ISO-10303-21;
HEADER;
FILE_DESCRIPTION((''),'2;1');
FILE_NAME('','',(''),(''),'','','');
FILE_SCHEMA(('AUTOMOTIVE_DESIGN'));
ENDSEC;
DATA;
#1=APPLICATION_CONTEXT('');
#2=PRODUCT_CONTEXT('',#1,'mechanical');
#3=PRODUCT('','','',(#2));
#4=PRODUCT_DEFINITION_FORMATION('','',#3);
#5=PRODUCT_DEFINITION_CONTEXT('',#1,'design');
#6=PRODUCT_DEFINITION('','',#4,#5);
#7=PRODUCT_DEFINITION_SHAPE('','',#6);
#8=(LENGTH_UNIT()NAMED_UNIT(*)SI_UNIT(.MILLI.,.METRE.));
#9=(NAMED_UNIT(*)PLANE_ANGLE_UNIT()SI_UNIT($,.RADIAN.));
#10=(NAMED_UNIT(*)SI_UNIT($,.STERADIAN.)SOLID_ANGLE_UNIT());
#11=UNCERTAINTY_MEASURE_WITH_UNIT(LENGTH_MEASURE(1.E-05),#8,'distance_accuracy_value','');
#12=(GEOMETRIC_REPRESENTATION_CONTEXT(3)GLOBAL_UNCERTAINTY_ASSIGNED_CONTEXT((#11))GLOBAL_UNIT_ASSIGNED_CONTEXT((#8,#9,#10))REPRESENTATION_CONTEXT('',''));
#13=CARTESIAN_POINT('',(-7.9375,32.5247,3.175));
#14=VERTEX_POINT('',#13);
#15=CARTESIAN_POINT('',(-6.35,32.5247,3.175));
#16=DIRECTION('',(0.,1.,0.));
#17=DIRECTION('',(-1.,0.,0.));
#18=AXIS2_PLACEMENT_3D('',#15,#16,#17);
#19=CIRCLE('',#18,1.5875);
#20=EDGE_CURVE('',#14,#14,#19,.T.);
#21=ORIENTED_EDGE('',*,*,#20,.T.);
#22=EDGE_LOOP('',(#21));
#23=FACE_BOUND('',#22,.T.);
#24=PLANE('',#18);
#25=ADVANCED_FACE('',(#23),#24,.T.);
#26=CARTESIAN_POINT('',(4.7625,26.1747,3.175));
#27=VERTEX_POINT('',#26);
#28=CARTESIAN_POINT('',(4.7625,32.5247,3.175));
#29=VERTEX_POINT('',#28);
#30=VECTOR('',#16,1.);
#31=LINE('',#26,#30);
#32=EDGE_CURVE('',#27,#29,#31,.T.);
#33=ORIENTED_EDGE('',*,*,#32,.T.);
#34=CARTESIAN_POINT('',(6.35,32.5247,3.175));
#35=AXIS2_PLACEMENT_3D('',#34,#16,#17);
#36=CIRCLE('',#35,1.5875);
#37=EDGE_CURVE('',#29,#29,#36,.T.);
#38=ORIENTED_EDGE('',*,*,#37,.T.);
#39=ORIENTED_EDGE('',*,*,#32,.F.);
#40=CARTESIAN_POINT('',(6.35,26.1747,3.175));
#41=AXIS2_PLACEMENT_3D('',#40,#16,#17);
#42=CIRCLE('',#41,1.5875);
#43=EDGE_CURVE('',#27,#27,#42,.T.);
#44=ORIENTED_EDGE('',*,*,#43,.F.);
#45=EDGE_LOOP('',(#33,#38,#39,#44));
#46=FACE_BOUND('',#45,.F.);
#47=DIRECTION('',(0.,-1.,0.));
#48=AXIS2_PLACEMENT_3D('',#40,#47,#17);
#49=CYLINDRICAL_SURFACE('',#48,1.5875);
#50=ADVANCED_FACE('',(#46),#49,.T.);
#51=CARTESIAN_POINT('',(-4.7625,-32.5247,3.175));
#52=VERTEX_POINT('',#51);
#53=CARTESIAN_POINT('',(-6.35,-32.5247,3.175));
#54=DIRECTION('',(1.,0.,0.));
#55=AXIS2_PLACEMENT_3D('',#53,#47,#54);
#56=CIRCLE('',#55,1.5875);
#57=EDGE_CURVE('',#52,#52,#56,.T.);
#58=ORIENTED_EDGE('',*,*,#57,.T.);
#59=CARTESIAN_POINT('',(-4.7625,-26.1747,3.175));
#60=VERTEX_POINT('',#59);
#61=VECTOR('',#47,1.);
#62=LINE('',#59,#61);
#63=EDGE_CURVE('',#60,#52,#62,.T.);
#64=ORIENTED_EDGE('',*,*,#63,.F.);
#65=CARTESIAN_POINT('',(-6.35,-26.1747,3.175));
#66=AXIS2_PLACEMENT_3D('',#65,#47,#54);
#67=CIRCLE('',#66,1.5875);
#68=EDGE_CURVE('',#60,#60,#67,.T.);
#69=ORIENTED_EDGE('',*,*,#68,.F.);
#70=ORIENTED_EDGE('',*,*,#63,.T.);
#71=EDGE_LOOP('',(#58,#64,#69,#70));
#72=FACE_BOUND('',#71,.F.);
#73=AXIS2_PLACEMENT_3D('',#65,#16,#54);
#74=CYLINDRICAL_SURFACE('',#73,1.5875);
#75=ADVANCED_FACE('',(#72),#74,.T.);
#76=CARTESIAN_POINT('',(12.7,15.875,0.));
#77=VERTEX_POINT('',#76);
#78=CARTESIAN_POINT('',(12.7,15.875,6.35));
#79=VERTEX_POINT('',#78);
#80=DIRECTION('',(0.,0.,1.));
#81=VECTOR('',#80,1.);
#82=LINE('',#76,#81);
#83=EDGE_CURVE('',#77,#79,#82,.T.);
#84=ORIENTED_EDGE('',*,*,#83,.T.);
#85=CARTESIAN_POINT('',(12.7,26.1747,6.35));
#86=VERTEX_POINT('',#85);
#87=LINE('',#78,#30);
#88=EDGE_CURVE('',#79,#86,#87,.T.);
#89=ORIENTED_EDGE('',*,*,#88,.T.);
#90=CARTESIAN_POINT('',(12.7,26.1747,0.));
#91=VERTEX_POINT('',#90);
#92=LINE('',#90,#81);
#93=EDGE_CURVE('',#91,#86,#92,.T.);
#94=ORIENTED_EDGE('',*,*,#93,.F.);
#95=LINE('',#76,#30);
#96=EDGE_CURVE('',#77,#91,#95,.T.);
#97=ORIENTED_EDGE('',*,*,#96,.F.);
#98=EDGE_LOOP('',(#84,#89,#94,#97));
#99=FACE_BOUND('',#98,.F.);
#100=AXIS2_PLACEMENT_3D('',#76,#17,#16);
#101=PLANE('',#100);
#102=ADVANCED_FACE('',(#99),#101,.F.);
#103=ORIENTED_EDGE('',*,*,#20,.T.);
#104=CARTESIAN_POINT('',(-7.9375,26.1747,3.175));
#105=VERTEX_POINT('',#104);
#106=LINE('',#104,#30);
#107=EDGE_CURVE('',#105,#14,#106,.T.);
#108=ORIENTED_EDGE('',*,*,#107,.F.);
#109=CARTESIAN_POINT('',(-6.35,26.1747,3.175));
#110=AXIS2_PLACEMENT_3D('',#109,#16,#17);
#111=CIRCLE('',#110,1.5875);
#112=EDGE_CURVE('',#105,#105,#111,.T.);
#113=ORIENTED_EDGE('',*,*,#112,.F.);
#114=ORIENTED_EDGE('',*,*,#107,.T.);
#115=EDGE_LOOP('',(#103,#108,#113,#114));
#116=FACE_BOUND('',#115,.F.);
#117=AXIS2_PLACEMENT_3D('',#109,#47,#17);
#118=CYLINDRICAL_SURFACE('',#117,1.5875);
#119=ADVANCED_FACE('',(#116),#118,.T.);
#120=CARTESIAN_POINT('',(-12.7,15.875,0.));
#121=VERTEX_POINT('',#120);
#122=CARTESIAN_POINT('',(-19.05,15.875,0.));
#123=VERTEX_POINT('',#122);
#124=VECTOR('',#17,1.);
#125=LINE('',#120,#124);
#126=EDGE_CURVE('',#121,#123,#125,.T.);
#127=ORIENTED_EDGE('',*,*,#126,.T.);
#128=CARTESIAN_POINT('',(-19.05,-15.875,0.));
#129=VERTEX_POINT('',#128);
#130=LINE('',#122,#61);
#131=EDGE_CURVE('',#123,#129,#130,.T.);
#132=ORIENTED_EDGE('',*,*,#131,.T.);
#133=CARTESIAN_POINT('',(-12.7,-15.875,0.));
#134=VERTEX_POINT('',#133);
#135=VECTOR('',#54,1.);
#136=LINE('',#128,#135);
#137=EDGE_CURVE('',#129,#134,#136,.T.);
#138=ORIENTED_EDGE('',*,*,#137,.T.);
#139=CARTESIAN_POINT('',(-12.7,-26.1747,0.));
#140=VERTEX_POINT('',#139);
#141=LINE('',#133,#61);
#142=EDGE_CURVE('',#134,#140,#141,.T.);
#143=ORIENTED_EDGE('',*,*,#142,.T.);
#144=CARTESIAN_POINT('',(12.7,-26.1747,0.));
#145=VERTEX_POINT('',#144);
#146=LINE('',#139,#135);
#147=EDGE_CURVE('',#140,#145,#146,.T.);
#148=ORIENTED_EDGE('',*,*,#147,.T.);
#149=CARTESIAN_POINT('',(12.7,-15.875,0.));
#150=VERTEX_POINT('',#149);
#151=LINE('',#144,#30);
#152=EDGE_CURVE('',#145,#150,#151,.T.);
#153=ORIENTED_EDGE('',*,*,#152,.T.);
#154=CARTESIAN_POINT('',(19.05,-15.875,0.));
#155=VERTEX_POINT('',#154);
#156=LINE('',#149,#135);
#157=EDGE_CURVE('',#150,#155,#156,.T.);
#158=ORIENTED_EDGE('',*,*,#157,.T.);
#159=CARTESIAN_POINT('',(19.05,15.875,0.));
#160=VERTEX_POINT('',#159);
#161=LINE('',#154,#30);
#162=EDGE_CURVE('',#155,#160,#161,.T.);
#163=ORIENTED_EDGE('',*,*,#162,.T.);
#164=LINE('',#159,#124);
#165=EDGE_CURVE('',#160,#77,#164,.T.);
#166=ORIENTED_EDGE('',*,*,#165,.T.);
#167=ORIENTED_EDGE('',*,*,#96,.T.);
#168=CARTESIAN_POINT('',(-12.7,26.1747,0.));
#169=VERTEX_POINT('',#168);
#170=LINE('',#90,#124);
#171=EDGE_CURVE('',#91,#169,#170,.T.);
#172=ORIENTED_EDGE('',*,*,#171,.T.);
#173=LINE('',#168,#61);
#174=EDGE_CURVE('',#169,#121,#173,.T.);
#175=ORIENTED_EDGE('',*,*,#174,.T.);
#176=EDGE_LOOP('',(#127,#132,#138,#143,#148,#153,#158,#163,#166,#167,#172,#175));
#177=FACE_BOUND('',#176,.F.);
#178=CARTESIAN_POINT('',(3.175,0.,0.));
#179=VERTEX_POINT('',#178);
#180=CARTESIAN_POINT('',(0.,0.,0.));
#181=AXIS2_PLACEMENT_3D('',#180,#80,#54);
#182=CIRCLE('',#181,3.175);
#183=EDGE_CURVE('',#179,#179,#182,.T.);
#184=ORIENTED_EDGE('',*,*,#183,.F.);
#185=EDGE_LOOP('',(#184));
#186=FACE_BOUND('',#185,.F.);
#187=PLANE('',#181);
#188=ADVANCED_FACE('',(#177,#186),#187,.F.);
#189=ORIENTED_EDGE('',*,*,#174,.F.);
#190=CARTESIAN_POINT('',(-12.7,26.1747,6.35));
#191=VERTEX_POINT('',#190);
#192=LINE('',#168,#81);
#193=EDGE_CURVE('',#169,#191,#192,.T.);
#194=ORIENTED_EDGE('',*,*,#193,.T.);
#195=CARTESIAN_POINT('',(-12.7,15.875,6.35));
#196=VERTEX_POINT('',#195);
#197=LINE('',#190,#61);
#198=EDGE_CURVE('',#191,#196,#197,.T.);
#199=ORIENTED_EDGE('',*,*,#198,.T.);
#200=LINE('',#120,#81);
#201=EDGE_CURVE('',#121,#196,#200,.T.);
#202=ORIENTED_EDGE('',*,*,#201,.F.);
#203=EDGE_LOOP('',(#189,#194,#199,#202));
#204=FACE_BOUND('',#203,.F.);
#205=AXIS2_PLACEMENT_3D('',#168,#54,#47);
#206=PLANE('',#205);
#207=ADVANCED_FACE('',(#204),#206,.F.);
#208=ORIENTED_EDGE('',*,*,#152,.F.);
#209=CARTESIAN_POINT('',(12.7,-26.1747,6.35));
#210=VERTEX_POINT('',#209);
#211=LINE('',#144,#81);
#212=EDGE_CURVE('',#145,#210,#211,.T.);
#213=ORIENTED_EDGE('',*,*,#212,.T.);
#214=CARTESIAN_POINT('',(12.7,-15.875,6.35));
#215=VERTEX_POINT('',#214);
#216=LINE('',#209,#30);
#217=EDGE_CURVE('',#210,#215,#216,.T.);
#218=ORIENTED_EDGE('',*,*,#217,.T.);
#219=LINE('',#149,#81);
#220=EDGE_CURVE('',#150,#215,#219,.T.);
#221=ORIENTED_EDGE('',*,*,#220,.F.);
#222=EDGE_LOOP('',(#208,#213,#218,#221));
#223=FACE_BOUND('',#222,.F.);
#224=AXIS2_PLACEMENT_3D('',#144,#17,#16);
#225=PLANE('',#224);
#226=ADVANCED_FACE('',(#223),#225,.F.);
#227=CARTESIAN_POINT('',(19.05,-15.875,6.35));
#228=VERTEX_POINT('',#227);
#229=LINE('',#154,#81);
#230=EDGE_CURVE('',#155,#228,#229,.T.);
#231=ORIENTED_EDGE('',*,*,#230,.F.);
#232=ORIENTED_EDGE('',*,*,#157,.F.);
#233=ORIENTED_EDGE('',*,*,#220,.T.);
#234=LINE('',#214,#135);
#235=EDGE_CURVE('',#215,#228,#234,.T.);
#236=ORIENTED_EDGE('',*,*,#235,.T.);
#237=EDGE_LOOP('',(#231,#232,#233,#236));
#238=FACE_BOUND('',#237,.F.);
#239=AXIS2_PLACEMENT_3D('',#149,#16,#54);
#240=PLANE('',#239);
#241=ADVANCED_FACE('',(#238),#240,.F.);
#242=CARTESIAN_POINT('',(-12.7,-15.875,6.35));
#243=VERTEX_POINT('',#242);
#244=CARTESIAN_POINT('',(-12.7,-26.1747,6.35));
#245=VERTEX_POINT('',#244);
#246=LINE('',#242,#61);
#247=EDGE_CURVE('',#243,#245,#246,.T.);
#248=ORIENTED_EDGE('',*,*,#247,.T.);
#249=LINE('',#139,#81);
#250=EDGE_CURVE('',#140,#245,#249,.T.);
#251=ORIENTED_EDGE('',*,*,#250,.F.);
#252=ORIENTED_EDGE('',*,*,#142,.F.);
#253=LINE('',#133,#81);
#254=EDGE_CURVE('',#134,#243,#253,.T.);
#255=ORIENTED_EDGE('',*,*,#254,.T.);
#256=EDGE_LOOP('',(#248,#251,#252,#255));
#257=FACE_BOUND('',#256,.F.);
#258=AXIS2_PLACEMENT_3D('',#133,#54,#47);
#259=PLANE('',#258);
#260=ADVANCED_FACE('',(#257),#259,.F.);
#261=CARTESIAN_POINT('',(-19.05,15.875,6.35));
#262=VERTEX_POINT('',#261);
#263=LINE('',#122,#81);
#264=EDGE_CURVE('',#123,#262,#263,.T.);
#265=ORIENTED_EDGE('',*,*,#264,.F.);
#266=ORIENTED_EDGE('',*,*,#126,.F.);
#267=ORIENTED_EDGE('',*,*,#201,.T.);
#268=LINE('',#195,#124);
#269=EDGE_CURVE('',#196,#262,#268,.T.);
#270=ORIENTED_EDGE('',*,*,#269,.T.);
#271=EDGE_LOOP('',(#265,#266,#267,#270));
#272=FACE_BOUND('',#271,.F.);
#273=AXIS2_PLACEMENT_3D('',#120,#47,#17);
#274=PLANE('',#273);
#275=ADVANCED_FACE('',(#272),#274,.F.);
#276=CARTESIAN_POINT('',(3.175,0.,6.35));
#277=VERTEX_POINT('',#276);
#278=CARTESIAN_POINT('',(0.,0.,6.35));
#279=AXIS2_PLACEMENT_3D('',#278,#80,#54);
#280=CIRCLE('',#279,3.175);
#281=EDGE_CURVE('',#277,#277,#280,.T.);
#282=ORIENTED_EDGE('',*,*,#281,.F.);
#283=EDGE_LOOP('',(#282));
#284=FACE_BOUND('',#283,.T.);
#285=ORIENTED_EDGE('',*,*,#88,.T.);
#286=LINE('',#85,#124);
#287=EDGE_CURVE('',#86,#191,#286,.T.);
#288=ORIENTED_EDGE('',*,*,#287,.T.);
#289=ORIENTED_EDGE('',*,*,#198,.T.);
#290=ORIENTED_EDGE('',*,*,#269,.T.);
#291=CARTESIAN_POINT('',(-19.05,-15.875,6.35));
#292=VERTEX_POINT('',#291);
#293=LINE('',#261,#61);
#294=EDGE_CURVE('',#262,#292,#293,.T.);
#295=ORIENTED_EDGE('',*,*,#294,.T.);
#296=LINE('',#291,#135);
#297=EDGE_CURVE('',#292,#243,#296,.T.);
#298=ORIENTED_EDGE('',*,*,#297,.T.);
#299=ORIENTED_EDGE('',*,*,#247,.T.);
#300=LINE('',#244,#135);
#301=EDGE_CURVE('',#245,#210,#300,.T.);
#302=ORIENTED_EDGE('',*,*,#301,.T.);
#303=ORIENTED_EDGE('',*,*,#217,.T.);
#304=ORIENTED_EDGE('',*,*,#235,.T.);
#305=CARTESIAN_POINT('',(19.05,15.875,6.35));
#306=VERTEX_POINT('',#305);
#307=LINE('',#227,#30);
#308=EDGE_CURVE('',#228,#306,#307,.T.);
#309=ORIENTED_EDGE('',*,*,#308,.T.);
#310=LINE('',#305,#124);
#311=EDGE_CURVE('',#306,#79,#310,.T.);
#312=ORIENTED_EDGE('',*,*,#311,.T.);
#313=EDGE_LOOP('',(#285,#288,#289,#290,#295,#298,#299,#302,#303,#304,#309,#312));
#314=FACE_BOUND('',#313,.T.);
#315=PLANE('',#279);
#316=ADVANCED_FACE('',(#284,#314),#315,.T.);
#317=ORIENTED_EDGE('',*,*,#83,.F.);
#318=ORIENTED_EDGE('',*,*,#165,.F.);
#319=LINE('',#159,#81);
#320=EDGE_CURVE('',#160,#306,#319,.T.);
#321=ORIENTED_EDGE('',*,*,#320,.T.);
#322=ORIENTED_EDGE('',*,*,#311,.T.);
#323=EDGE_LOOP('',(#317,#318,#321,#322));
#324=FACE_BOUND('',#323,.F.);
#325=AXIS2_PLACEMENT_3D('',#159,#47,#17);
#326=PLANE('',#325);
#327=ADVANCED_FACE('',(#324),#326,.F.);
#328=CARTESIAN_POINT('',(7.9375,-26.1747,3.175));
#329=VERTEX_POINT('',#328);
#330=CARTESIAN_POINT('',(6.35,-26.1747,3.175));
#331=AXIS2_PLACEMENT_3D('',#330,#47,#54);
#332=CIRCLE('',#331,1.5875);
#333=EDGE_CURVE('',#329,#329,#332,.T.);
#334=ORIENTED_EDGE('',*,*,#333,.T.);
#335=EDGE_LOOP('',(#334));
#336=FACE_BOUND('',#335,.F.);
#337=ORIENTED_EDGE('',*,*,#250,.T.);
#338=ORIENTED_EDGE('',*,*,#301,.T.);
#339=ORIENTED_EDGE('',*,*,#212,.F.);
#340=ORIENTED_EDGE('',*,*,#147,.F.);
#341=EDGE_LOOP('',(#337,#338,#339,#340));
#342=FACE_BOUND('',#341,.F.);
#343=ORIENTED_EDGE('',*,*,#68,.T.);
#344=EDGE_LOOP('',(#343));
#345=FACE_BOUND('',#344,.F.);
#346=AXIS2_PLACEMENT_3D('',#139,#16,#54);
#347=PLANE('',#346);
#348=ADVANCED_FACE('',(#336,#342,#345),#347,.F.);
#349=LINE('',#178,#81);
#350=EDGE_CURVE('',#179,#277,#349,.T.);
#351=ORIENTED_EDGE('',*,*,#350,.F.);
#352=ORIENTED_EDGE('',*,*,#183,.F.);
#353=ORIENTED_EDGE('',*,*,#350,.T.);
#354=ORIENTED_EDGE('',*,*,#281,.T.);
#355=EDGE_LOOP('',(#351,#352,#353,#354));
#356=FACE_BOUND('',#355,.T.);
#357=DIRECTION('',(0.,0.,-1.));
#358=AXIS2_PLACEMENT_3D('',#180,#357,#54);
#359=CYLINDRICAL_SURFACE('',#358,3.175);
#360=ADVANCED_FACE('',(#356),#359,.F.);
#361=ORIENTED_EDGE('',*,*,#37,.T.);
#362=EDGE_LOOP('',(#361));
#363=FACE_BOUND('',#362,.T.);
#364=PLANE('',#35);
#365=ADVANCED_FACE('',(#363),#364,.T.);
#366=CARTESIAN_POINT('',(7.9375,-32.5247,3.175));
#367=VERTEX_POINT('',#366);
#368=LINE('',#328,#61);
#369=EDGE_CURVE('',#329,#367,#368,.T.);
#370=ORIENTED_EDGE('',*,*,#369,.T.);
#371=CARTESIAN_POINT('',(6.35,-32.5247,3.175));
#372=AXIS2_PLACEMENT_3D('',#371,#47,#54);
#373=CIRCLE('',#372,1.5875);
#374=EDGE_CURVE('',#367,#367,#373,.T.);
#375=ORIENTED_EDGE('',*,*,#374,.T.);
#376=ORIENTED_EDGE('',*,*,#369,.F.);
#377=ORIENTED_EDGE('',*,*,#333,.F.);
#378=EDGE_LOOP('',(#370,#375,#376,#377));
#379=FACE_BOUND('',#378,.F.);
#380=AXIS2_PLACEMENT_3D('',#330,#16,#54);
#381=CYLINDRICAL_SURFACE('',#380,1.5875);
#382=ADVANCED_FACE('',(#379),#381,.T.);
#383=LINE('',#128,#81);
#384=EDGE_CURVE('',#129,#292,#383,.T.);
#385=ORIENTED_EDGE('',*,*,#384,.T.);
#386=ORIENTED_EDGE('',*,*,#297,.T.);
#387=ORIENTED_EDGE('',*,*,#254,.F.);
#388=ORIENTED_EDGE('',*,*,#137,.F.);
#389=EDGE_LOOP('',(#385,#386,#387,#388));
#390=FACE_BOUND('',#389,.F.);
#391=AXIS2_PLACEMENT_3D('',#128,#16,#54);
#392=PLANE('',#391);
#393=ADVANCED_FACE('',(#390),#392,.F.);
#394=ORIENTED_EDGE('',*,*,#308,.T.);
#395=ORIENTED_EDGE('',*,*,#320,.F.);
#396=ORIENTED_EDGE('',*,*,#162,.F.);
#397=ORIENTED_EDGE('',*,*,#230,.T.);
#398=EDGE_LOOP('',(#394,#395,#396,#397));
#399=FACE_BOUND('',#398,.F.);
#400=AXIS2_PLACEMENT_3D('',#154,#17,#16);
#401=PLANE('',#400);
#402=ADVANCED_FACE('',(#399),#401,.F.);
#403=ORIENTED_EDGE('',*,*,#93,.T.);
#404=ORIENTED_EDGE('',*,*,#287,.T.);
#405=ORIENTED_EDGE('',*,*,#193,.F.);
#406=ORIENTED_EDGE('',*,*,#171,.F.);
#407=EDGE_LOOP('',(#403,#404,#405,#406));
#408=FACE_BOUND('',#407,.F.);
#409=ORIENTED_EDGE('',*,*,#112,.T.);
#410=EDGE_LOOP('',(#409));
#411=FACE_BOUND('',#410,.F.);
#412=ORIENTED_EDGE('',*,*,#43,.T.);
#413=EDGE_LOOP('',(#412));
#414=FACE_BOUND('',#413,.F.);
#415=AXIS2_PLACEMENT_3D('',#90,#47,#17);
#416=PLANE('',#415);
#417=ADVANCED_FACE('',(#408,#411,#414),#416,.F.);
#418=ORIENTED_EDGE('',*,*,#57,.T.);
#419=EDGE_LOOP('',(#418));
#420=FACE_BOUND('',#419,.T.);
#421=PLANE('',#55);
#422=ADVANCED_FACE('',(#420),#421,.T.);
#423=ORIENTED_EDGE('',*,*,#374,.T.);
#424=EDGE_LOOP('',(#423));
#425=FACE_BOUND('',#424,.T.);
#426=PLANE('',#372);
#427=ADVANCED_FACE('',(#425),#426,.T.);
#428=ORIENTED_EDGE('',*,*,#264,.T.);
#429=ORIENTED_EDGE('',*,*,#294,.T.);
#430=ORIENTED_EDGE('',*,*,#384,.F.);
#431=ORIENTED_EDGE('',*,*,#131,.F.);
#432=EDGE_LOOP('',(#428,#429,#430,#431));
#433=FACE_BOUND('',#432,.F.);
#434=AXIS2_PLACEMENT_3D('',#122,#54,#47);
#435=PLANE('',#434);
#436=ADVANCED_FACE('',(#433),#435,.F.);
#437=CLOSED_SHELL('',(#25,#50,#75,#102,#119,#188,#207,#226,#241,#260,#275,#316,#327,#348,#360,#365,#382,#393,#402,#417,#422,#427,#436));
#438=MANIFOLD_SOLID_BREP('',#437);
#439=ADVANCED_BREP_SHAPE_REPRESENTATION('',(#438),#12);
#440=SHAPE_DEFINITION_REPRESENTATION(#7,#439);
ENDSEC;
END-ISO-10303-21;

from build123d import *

# Parameters (mm, degrees)
F0_R     = 3.175
F1_DEPTH = 6.35
F2_R     = 1.5875
F3_DEPTH = 6.35
F4_DEPTH = 6.35
F5_R     = 1.5875
F6_DEPTH = 6.35
F7_DEPTH = 6.35


with BuildPart() as f1:
    # F0 (on Top) → F1 (new body)
    with BuildSketch(Plane.XY):
        Polygon((12.7, 15.875), (12.7, 26.1747), (-12.7, 26.1747), (-12.7, 15.875), (-19.05, 15.875), (-19.05, -15.875), (-12.7, -15.875), (-12.7, -26.1747), (12.7, -26.1747), (12.7, -15.875), (19.05, -15.875), (19.05, 15.875), align=None)
        Circle(F0_R, mode=Mode.SUBTRACT)
    extrude(amount=F1_DEPTH)

    # F2 (on face) → F3 (join)
    with BuildSketch(Plane(origin=(0, 26.1747, 0), x_dir=(-1, 0, 0), z_dir=(0, 1, 0))):
        with Locations((-6.35, 3.175)):
            Circle(F2_R)
    extrude(amount=F3_DEPTH)

    # F2 (on face) → F4 (join)
    with BuildSketch(Plane(origin=(0, 26.1747, 0), x_dir=(-1, 0, 0), z_dir=(0, 1, 0))):
        with Locations((6.35, 3.175)):
            Circle(F2_R)
    extrude(amount=F4_DEPTH)

    # F5 (on face) → F6 (join)
    with BuildSketch(Plane.XZ.offset(26.1747)):
        with Locations((-6.35, 3.175)):
            Circle(F5_R)
    extrude(amount=F6_DEPTH)

    # F5 (on face) → F7 (join)
    with BuildSketch(Plane.XZ.offset(26.1747)):
        with Locations((-6.35, 3.175)):
            Circle(F5_R)
        with Locations((6.35, 3.175)):
            Circle(F5_R)
    extrude(amount=F7_DEPTH)


solid = f1.part
